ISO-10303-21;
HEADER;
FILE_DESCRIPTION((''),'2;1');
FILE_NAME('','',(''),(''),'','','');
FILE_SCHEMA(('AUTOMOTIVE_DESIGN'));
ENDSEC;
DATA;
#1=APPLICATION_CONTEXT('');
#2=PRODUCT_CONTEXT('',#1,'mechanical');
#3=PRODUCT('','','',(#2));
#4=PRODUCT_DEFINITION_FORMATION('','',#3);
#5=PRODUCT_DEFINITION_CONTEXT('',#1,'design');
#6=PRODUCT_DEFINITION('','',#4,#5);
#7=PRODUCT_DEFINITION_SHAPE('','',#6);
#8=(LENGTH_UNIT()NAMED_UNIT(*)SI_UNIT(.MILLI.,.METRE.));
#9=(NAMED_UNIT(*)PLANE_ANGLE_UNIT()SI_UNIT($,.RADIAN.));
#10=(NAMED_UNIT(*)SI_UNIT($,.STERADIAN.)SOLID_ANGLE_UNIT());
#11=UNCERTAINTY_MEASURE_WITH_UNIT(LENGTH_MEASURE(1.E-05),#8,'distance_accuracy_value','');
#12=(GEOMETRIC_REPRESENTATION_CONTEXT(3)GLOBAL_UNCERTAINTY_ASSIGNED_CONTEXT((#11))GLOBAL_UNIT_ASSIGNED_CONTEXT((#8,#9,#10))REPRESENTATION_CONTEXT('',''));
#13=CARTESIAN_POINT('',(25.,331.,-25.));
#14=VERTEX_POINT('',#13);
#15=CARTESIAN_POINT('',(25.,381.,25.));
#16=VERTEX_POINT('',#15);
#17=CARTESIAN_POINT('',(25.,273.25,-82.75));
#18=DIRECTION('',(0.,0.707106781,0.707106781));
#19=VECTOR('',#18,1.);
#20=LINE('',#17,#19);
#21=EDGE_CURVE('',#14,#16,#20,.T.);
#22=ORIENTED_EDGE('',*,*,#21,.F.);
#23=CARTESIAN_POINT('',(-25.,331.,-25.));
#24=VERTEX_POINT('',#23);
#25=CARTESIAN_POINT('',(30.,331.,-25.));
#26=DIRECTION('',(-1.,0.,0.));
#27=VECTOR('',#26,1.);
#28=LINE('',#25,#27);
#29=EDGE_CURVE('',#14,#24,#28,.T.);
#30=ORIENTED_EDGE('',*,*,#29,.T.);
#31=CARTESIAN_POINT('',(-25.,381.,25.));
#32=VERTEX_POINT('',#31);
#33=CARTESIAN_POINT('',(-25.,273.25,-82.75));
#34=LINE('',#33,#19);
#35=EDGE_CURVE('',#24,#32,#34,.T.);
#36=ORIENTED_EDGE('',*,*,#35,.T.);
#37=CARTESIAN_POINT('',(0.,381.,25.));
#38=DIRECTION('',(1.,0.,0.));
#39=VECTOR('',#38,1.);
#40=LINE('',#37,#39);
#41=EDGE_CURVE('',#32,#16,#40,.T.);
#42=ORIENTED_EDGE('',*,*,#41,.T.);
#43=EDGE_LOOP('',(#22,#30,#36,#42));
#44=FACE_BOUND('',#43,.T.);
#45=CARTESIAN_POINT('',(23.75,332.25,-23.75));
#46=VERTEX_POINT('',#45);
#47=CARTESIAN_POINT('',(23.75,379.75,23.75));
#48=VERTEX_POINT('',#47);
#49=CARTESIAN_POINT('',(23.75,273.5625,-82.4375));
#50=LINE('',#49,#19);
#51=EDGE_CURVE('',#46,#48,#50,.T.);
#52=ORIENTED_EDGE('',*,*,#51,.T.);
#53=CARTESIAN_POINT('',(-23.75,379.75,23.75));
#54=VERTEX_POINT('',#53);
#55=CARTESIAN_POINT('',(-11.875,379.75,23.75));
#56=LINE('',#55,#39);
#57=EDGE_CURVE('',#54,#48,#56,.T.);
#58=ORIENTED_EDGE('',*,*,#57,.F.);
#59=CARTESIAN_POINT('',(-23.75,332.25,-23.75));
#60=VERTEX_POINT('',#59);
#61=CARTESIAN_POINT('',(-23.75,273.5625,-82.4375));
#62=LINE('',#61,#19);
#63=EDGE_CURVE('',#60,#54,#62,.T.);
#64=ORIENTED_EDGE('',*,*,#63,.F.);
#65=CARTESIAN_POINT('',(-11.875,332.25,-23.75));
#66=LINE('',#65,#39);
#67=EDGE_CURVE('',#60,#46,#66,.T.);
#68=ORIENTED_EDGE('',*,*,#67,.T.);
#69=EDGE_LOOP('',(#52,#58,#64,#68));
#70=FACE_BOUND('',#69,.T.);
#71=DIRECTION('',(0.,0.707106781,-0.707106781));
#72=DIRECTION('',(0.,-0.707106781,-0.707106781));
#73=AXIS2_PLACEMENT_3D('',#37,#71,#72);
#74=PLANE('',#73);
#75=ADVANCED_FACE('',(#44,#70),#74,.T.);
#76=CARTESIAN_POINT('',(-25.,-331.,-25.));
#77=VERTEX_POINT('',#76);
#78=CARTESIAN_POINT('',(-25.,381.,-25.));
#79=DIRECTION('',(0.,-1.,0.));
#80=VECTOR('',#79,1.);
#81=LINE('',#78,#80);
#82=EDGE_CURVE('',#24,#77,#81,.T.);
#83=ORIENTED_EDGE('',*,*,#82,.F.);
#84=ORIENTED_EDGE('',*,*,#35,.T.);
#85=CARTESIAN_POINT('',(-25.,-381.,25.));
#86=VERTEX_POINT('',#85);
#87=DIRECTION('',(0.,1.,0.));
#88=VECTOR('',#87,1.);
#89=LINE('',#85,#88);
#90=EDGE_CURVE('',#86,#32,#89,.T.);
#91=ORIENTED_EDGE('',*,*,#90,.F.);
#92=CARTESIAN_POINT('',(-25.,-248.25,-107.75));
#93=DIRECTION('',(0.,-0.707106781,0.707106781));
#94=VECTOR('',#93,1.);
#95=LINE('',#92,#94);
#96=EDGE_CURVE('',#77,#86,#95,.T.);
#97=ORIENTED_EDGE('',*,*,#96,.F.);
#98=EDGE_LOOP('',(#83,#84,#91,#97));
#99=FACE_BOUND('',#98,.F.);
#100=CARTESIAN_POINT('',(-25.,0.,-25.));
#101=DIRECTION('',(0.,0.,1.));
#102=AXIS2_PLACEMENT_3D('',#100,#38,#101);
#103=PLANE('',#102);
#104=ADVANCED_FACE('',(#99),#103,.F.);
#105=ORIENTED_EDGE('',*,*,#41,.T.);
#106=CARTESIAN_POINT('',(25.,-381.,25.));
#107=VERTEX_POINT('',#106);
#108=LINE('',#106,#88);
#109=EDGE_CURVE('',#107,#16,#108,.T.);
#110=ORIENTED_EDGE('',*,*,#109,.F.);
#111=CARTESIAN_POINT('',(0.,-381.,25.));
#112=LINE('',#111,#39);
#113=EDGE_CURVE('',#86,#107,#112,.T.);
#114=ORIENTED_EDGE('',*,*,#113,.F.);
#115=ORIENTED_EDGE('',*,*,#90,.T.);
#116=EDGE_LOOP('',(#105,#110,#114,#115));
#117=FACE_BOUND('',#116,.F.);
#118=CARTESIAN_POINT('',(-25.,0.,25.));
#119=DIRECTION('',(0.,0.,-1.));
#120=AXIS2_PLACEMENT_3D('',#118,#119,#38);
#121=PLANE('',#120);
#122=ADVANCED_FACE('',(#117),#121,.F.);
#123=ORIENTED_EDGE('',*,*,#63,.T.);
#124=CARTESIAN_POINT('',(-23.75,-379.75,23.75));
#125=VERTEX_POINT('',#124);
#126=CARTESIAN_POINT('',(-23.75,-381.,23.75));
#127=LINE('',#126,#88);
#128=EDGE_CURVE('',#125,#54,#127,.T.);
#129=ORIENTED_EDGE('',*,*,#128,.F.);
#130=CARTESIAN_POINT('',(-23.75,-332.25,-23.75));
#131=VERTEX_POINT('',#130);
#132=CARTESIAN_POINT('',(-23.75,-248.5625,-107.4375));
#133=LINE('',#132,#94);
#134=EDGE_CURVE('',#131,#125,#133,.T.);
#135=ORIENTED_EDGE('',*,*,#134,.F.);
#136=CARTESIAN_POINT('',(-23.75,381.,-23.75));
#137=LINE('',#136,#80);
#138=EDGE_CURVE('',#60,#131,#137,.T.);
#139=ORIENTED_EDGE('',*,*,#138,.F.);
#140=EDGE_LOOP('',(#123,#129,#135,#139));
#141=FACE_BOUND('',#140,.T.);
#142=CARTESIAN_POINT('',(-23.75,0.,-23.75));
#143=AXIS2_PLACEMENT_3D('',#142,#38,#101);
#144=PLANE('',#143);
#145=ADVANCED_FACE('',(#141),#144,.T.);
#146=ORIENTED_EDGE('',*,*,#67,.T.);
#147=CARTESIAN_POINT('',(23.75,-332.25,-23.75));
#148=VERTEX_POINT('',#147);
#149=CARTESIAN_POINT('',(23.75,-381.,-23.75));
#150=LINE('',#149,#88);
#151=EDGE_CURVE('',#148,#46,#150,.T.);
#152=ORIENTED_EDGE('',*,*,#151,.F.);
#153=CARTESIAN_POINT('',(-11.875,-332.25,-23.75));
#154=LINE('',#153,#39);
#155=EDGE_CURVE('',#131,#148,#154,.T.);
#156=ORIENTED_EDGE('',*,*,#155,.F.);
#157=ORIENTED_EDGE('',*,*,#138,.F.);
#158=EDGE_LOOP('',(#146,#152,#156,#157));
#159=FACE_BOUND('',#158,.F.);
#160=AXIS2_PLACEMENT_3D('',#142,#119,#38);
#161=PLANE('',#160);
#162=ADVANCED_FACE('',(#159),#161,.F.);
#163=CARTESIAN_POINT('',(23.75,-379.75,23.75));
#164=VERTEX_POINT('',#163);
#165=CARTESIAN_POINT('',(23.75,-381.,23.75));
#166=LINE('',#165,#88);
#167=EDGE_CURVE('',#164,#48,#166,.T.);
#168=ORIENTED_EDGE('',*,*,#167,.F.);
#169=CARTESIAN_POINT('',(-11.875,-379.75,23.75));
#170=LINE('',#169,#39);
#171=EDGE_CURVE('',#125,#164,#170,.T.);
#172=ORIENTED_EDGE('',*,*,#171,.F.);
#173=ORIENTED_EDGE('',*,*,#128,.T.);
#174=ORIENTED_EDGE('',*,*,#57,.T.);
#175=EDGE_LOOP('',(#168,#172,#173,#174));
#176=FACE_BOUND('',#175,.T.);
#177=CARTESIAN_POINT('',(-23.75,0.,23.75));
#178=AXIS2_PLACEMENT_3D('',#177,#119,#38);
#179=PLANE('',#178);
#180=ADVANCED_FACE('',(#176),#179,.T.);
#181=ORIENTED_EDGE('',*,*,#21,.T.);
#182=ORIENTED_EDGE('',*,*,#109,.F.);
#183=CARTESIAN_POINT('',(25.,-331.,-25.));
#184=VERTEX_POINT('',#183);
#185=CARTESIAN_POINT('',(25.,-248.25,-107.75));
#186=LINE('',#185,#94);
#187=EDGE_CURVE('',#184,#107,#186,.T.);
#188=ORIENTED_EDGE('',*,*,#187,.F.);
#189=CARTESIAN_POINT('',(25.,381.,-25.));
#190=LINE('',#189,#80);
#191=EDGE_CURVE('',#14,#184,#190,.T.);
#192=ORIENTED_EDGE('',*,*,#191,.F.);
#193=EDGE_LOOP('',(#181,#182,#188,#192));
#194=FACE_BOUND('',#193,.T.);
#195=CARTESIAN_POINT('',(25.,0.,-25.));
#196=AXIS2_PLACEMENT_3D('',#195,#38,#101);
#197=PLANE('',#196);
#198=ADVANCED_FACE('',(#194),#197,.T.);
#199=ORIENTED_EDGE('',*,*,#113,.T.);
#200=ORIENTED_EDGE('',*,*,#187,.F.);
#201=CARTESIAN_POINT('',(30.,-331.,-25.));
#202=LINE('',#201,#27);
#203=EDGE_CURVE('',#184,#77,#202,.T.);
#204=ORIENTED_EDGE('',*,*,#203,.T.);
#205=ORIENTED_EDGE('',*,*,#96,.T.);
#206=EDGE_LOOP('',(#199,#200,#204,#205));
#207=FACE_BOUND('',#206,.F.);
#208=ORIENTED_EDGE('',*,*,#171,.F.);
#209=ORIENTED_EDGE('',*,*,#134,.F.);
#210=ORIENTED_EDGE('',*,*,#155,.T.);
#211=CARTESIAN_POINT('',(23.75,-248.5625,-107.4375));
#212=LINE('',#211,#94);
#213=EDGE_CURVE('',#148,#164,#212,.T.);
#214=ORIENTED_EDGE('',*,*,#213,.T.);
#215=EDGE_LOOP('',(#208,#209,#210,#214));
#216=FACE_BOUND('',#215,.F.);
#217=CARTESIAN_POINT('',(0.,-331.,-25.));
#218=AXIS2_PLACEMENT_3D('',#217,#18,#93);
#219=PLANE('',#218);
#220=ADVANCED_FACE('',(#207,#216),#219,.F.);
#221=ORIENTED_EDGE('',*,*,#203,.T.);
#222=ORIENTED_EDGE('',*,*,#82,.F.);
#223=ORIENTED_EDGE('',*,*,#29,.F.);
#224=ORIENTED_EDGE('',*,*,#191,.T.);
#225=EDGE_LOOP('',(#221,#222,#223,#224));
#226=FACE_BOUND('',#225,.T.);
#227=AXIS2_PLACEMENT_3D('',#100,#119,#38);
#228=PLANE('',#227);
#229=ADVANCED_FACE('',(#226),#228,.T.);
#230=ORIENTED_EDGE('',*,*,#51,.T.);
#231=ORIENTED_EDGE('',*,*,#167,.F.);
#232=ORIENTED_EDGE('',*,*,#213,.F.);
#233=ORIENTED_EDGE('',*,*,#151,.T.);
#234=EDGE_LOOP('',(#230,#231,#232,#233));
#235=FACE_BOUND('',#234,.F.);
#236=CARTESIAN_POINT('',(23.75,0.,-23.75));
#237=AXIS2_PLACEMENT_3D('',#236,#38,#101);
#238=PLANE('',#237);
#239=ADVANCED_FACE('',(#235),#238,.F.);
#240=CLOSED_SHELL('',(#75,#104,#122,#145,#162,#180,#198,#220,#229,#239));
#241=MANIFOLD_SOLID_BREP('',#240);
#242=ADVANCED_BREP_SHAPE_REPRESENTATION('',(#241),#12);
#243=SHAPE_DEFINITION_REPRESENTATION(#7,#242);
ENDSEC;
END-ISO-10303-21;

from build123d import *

# Parameters (mm, degrees)
F0_W     = 50
F0_H     = 50
F0_W_2   = 47.5
F0_H_2   = 47.5
F1_DEPTH = 381
F3_DEPTH = 30


with BuildPart() as f1:
    # F0 (on Front) → F1 (new body, symmetric)
    with BuildSketch(Plane.XZ):
        Rectangle(F0_W, F0_H)
        Rectangle(F0_W_2, F0_H_2, mode=Mode.SUBTRACT)
    extrude(amount=F1_DEPTH, both=True)

    # F2 (on Right) → F3 (cut, symmetric)
    with BuildSketch(Plane.YZ):
        Polygon((381, -25), (381, 25), (331, -25), align=None)
        Polygon((-331, -25), (-381, 25), (-381, -25), align=None)
    extrude(amount=F3_DEPTH, both=True, mode=Mode.SUBTRACT)


solid = f1.part
